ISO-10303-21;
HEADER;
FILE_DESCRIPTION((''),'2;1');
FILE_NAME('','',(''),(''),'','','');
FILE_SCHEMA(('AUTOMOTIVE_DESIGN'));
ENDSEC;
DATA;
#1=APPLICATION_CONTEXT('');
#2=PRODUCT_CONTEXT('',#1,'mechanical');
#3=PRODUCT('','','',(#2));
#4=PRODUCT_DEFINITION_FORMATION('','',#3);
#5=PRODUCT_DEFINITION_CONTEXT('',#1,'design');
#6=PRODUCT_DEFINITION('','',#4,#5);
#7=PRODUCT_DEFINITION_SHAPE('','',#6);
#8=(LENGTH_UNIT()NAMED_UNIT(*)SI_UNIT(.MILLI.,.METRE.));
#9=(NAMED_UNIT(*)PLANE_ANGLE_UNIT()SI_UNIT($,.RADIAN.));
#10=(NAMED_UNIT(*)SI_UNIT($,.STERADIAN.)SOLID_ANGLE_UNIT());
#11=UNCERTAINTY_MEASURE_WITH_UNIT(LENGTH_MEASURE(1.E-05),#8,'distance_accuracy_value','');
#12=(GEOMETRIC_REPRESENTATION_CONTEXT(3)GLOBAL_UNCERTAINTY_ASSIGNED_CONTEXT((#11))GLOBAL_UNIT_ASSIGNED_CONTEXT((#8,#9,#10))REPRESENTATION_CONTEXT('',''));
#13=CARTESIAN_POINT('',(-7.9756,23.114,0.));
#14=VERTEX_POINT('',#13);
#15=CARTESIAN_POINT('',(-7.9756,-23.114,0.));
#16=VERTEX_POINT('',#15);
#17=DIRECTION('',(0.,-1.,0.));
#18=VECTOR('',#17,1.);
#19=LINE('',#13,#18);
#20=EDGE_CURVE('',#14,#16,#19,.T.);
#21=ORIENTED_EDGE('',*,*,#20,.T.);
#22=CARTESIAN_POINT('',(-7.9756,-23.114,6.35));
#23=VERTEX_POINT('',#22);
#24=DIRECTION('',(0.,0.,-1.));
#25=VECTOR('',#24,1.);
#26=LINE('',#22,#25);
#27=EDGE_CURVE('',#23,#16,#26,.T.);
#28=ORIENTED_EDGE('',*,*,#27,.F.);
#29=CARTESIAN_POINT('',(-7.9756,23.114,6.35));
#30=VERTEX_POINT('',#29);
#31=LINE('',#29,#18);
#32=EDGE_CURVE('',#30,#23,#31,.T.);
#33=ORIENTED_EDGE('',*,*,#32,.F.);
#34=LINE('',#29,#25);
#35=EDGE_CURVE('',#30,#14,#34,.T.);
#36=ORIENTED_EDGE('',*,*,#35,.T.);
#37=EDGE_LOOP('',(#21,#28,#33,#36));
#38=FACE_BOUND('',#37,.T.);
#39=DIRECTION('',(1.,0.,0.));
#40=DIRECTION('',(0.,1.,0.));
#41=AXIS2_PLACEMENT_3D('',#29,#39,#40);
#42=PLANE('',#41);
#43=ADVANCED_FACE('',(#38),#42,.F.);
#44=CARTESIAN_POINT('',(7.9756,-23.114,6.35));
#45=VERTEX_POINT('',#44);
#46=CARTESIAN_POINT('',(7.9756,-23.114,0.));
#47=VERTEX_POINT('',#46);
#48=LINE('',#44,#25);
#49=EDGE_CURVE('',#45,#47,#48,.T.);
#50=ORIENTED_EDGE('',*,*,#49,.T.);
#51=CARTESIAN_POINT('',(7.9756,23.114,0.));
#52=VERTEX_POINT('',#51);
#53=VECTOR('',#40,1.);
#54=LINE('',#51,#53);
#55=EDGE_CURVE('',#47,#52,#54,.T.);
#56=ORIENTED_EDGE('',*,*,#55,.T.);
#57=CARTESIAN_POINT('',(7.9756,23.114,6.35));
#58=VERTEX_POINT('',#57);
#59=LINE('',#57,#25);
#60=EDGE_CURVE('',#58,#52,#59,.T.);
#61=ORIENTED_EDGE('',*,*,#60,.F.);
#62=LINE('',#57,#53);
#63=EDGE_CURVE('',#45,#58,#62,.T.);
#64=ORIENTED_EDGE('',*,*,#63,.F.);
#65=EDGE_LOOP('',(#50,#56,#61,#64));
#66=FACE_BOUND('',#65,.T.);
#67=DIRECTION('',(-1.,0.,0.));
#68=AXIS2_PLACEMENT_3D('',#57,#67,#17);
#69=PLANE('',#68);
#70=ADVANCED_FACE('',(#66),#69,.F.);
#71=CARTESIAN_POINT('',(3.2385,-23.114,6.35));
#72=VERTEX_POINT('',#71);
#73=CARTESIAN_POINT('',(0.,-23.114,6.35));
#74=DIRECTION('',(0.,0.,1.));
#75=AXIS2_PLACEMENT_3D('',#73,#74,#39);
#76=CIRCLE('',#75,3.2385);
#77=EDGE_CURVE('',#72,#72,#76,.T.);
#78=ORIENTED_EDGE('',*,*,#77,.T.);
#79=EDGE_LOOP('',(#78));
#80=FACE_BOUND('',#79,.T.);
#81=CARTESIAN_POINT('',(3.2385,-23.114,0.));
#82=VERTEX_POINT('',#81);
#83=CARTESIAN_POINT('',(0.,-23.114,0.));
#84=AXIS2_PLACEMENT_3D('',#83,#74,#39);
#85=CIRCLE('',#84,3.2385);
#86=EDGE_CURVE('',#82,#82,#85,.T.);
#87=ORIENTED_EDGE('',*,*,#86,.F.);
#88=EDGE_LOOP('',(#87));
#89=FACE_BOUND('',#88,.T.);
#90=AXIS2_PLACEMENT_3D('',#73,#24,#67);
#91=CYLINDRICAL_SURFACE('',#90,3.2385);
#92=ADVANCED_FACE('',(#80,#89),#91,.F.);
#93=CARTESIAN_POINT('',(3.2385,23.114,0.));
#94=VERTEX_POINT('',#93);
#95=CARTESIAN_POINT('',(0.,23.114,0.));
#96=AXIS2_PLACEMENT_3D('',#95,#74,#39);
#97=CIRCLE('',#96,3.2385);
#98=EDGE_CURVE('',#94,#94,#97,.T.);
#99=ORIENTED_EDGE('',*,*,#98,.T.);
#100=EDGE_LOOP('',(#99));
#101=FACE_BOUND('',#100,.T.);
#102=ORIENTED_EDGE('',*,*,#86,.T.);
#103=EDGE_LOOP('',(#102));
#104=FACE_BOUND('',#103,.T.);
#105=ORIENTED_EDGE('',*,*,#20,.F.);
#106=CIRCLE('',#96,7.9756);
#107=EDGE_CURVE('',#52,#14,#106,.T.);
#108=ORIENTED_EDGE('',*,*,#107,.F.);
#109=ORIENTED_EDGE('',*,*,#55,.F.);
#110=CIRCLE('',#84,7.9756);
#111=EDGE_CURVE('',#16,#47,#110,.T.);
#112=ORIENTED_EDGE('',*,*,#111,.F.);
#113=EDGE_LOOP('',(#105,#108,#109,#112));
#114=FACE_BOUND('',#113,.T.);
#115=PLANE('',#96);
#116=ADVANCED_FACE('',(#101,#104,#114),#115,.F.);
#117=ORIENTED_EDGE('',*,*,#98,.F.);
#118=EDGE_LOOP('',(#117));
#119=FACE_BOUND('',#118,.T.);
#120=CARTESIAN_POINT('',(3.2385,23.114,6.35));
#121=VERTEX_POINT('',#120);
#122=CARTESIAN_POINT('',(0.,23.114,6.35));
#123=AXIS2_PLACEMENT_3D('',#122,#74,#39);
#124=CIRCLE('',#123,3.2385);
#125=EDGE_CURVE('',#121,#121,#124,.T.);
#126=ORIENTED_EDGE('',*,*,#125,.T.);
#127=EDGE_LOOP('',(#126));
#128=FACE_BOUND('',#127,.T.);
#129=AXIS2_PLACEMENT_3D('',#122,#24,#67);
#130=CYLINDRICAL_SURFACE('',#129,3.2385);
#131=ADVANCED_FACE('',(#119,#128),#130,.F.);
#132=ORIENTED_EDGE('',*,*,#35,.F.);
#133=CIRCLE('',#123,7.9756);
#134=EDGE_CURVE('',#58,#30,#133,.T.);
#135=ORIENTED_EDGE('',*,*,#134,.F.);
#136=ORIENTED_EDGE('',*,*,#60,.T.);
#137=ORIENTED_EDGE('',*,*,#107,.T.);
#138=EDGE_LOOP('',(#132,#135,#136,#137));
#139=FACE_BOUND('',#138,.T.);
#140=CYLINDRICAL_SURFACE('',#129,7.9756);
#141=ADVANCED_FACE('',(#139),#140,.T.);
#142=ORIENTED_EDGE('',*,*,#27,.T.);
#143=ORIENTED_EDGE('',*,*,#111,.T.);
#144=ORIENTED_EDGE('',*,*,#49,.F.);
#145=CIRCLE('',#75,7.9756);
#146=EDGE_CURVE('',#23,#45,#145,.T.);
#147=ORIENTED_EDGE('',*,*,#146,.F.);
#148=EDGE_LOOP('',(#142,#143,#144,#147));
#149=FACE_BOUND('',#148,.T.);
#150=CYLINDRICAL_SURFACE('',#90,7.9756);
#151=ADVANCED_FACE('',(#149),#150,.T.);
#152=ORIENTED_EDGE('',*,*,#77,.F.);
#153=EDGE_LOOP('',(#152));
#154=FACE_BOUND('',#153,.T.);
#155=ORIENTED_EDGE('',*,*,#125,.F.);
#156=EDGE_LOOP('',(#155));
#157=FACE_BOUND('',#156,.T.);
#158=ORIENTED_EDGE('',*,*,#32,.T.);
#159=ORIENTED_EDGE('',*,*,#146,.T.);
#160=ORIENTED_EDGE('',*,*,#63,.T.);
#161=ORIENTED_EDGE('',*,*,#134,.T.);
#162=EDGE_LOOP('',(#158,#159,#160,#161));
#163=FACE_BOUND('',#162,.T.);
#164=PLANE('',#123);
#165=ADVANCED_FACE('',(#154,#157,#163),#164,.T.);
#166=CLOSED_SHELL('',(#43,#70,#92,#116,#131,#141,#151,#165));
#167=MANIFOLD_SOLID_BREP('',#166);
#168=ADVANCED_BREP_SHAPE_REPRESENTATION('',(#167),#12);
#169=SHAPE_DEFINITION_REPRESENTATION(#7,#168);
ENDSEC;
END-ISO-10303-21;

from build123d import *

# Parameters (mm, degrees)
SKETCH1_R           = 3.2385
BOSS_EXTRUDE1_DEPTH = 6.35


with BuildPart() as part:
    # Sketch1 → Boss-Extrude1 (new body)
    with BuildSketch(Plane.XY):
        with BuildLine():
            Line((7.9756, 23.114), (7.9756, -23.114))
            ThreePointArc((7.9756, -23.114), (0, -31.0896), (-7.9756, -23.114))
            Line((-7.9756, -23.114), (-7.9756, 23.114))
            ThreePointArc((-7.9756, 23.114), (0, 31.0896), (7.9756, 23.114))
        make_face()
        with Locations((0, 23.114)):
            Circle(SKETCH1_R, mode=Mode.SUBTRACT)
        with Locations((0, -23.114)):
            Circle(SKETCH1_R, mode=Mode.SUBTRACT)
    extrude(amount=BOSS_EXTRUDE1_DEPTH)


solid = part.part
